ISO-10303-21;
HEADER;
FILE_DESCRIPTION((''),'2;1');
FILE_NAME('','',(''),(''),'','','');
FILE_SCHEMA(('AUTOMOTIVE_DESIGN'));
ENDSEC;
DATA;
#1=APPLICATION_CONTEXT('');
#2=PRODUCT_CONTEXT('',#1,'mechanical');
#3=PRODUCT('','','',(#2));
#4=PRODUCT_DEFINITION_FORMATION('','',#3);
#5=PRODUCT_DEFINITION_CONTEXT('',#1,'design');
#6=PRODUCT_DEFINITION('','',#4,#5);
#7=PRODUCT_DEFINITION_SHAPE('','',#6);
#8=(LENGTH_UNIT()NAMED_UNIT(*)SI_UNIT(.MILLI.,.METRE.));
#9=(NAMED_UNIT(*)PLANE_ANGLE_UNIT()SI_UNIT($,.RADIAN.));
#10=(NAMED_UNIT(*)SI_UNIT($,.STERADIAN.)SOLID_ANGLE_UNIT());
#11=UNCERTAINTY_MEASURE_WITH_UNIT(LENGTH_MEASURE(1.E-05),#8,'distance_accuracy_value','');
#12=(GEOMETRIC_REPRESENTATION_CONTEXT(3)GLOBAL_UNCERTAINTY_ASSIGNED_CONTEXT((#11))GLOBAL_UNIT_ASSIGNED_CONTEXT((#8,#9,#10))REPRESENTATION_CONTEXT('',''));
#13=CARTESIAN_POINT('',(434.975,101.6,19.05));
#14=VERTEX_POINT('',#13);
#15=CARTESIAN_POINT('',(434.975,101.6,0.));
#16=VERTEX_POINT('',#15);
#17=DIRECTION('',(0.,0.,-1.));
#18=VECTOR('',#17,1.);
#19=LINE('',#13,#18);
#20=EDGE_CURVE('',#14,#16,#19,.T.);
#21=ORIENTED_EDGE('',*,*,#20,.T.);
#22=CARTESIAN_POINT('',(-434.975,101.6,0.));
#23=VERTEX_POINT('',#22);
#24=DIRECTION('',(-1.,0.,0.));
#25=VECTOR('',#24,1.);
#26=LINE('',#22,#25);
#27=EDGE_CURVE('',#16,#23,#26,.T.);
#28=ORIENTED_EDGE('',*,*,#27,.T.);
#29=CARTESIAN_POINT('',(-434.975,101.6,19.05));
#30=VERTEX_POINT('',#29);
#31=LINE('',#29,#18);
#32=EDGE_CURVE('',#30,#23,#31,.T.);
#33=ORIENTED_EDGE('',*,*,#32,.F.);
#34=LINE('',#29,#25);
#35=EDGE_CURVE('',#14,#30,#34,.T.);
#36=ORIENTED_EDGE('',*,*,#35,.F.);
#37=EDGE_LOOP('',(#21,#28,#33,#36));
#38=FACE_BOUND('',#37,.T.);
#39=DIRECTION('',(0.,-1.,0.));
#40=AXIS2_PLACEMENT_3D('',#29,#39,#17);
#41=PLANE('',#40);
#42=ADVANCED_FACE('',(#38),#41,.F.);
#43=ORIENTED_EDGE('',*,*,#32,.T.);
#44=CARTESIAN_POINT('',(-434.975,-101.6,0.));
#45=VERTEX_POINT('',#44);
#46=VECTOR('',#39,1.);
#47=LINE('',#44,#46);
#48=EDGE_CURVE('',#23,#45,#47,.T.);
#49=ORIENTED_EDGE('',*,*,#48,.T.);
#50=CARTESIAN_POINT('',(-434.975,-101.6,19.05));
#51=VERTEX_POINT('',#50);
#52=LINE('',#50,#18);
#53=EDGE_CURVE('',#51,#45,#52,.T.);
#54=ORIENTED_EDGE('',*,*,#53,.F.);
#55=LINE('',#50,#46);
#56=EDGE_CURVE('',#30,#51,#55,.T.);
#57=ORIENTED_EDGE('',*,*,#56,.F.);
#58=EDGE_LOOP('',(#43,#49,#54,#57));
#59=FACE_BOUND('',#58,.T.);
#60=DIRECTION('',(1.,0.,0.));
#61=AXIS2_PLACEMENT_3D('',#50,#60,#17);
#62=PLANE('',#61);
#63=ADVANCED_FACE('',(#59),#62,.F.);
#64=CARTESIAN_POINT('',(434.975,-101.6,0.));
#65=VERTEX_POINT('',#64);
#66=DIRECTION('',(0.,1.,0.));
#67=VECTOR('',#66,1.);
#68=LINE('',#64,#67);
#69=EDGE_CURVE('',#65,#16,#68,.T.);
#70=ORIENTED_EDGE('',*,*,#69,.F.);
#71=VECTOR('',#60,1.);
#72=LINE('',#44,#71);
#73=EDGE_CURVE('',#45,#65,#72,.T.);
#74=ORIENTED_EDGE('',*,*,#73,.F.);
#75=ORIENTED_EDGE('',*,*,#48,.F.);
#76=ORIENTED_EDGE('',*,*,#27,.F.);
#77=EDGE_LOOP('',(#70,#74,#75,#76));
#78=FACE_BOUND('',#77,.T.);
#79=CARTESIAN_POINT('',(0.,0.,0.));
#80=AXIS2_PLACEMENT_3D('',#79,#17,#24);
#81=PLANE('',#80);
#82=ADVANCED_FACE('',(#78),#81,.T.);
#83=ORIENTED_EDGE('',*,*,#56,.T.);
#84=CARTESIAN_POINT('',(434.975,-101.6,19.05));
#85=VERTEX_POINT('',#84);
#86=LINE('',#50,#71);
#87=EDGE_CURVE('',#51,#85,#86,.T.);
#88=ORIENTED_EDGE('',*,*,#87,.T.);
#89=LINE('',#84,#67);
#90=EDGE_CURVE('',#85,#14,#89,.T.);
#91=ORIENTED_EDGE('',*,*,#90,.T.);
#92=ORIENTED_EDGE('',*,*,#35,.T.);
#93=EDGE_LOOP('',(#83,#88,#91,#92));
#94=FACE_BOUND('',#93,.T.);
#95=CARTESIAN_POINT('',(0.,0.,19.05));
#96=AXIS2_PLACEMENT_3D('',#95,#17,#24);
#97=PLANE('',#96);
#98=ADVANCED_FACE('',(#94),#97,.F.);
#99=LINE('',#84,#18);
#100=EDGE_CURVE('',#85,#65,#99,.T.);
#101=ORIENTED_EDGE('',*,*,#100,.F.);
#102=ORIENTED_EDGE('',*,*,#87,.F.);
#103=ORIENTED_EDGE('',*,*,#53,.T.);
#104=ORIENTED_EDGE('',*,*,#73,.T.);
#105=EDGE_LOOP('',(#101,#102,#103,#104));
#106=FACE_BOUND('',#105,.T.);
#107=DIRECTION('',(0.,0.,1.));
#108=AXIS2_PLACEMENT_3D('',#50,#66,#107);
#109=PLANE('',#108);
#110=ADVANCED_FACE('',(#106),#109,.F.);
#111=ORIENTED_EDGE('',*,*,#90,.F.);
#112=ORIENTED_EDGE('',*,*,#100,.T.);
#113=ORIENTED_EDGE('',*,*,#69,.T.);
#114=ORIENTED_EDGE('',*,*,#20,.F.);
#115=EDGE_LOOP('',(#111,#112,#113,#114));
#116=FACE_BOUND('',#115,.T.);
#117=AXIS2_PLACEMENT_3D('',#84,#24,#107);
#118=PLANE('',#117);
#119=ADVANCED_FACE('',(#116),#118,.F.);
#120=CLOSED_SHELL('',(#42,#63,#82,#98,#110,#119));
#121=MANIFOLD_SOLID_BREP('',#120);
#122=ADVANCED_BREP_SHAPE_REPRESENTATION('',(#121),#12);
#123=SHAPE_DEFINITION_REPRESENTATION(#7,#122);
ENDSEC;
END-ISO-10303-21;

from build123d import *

# Parameters (mm, degrees)
SKETCH1_W           = 869.95
SKETCH1_H           = 203.2
BOSS_EXTRUDE1_DEPTH = 19.05


with BuildPart() as part:
    # Sketch1 → Boss-Extrude1 (new body)
    with BuildSketch(Plane.XY):
        Rectangle(SKETCH1_W, SKETCH1_H)
    extrude(amount=BOSS_EXTRUDE1_DEPTH)


solid = part.part
